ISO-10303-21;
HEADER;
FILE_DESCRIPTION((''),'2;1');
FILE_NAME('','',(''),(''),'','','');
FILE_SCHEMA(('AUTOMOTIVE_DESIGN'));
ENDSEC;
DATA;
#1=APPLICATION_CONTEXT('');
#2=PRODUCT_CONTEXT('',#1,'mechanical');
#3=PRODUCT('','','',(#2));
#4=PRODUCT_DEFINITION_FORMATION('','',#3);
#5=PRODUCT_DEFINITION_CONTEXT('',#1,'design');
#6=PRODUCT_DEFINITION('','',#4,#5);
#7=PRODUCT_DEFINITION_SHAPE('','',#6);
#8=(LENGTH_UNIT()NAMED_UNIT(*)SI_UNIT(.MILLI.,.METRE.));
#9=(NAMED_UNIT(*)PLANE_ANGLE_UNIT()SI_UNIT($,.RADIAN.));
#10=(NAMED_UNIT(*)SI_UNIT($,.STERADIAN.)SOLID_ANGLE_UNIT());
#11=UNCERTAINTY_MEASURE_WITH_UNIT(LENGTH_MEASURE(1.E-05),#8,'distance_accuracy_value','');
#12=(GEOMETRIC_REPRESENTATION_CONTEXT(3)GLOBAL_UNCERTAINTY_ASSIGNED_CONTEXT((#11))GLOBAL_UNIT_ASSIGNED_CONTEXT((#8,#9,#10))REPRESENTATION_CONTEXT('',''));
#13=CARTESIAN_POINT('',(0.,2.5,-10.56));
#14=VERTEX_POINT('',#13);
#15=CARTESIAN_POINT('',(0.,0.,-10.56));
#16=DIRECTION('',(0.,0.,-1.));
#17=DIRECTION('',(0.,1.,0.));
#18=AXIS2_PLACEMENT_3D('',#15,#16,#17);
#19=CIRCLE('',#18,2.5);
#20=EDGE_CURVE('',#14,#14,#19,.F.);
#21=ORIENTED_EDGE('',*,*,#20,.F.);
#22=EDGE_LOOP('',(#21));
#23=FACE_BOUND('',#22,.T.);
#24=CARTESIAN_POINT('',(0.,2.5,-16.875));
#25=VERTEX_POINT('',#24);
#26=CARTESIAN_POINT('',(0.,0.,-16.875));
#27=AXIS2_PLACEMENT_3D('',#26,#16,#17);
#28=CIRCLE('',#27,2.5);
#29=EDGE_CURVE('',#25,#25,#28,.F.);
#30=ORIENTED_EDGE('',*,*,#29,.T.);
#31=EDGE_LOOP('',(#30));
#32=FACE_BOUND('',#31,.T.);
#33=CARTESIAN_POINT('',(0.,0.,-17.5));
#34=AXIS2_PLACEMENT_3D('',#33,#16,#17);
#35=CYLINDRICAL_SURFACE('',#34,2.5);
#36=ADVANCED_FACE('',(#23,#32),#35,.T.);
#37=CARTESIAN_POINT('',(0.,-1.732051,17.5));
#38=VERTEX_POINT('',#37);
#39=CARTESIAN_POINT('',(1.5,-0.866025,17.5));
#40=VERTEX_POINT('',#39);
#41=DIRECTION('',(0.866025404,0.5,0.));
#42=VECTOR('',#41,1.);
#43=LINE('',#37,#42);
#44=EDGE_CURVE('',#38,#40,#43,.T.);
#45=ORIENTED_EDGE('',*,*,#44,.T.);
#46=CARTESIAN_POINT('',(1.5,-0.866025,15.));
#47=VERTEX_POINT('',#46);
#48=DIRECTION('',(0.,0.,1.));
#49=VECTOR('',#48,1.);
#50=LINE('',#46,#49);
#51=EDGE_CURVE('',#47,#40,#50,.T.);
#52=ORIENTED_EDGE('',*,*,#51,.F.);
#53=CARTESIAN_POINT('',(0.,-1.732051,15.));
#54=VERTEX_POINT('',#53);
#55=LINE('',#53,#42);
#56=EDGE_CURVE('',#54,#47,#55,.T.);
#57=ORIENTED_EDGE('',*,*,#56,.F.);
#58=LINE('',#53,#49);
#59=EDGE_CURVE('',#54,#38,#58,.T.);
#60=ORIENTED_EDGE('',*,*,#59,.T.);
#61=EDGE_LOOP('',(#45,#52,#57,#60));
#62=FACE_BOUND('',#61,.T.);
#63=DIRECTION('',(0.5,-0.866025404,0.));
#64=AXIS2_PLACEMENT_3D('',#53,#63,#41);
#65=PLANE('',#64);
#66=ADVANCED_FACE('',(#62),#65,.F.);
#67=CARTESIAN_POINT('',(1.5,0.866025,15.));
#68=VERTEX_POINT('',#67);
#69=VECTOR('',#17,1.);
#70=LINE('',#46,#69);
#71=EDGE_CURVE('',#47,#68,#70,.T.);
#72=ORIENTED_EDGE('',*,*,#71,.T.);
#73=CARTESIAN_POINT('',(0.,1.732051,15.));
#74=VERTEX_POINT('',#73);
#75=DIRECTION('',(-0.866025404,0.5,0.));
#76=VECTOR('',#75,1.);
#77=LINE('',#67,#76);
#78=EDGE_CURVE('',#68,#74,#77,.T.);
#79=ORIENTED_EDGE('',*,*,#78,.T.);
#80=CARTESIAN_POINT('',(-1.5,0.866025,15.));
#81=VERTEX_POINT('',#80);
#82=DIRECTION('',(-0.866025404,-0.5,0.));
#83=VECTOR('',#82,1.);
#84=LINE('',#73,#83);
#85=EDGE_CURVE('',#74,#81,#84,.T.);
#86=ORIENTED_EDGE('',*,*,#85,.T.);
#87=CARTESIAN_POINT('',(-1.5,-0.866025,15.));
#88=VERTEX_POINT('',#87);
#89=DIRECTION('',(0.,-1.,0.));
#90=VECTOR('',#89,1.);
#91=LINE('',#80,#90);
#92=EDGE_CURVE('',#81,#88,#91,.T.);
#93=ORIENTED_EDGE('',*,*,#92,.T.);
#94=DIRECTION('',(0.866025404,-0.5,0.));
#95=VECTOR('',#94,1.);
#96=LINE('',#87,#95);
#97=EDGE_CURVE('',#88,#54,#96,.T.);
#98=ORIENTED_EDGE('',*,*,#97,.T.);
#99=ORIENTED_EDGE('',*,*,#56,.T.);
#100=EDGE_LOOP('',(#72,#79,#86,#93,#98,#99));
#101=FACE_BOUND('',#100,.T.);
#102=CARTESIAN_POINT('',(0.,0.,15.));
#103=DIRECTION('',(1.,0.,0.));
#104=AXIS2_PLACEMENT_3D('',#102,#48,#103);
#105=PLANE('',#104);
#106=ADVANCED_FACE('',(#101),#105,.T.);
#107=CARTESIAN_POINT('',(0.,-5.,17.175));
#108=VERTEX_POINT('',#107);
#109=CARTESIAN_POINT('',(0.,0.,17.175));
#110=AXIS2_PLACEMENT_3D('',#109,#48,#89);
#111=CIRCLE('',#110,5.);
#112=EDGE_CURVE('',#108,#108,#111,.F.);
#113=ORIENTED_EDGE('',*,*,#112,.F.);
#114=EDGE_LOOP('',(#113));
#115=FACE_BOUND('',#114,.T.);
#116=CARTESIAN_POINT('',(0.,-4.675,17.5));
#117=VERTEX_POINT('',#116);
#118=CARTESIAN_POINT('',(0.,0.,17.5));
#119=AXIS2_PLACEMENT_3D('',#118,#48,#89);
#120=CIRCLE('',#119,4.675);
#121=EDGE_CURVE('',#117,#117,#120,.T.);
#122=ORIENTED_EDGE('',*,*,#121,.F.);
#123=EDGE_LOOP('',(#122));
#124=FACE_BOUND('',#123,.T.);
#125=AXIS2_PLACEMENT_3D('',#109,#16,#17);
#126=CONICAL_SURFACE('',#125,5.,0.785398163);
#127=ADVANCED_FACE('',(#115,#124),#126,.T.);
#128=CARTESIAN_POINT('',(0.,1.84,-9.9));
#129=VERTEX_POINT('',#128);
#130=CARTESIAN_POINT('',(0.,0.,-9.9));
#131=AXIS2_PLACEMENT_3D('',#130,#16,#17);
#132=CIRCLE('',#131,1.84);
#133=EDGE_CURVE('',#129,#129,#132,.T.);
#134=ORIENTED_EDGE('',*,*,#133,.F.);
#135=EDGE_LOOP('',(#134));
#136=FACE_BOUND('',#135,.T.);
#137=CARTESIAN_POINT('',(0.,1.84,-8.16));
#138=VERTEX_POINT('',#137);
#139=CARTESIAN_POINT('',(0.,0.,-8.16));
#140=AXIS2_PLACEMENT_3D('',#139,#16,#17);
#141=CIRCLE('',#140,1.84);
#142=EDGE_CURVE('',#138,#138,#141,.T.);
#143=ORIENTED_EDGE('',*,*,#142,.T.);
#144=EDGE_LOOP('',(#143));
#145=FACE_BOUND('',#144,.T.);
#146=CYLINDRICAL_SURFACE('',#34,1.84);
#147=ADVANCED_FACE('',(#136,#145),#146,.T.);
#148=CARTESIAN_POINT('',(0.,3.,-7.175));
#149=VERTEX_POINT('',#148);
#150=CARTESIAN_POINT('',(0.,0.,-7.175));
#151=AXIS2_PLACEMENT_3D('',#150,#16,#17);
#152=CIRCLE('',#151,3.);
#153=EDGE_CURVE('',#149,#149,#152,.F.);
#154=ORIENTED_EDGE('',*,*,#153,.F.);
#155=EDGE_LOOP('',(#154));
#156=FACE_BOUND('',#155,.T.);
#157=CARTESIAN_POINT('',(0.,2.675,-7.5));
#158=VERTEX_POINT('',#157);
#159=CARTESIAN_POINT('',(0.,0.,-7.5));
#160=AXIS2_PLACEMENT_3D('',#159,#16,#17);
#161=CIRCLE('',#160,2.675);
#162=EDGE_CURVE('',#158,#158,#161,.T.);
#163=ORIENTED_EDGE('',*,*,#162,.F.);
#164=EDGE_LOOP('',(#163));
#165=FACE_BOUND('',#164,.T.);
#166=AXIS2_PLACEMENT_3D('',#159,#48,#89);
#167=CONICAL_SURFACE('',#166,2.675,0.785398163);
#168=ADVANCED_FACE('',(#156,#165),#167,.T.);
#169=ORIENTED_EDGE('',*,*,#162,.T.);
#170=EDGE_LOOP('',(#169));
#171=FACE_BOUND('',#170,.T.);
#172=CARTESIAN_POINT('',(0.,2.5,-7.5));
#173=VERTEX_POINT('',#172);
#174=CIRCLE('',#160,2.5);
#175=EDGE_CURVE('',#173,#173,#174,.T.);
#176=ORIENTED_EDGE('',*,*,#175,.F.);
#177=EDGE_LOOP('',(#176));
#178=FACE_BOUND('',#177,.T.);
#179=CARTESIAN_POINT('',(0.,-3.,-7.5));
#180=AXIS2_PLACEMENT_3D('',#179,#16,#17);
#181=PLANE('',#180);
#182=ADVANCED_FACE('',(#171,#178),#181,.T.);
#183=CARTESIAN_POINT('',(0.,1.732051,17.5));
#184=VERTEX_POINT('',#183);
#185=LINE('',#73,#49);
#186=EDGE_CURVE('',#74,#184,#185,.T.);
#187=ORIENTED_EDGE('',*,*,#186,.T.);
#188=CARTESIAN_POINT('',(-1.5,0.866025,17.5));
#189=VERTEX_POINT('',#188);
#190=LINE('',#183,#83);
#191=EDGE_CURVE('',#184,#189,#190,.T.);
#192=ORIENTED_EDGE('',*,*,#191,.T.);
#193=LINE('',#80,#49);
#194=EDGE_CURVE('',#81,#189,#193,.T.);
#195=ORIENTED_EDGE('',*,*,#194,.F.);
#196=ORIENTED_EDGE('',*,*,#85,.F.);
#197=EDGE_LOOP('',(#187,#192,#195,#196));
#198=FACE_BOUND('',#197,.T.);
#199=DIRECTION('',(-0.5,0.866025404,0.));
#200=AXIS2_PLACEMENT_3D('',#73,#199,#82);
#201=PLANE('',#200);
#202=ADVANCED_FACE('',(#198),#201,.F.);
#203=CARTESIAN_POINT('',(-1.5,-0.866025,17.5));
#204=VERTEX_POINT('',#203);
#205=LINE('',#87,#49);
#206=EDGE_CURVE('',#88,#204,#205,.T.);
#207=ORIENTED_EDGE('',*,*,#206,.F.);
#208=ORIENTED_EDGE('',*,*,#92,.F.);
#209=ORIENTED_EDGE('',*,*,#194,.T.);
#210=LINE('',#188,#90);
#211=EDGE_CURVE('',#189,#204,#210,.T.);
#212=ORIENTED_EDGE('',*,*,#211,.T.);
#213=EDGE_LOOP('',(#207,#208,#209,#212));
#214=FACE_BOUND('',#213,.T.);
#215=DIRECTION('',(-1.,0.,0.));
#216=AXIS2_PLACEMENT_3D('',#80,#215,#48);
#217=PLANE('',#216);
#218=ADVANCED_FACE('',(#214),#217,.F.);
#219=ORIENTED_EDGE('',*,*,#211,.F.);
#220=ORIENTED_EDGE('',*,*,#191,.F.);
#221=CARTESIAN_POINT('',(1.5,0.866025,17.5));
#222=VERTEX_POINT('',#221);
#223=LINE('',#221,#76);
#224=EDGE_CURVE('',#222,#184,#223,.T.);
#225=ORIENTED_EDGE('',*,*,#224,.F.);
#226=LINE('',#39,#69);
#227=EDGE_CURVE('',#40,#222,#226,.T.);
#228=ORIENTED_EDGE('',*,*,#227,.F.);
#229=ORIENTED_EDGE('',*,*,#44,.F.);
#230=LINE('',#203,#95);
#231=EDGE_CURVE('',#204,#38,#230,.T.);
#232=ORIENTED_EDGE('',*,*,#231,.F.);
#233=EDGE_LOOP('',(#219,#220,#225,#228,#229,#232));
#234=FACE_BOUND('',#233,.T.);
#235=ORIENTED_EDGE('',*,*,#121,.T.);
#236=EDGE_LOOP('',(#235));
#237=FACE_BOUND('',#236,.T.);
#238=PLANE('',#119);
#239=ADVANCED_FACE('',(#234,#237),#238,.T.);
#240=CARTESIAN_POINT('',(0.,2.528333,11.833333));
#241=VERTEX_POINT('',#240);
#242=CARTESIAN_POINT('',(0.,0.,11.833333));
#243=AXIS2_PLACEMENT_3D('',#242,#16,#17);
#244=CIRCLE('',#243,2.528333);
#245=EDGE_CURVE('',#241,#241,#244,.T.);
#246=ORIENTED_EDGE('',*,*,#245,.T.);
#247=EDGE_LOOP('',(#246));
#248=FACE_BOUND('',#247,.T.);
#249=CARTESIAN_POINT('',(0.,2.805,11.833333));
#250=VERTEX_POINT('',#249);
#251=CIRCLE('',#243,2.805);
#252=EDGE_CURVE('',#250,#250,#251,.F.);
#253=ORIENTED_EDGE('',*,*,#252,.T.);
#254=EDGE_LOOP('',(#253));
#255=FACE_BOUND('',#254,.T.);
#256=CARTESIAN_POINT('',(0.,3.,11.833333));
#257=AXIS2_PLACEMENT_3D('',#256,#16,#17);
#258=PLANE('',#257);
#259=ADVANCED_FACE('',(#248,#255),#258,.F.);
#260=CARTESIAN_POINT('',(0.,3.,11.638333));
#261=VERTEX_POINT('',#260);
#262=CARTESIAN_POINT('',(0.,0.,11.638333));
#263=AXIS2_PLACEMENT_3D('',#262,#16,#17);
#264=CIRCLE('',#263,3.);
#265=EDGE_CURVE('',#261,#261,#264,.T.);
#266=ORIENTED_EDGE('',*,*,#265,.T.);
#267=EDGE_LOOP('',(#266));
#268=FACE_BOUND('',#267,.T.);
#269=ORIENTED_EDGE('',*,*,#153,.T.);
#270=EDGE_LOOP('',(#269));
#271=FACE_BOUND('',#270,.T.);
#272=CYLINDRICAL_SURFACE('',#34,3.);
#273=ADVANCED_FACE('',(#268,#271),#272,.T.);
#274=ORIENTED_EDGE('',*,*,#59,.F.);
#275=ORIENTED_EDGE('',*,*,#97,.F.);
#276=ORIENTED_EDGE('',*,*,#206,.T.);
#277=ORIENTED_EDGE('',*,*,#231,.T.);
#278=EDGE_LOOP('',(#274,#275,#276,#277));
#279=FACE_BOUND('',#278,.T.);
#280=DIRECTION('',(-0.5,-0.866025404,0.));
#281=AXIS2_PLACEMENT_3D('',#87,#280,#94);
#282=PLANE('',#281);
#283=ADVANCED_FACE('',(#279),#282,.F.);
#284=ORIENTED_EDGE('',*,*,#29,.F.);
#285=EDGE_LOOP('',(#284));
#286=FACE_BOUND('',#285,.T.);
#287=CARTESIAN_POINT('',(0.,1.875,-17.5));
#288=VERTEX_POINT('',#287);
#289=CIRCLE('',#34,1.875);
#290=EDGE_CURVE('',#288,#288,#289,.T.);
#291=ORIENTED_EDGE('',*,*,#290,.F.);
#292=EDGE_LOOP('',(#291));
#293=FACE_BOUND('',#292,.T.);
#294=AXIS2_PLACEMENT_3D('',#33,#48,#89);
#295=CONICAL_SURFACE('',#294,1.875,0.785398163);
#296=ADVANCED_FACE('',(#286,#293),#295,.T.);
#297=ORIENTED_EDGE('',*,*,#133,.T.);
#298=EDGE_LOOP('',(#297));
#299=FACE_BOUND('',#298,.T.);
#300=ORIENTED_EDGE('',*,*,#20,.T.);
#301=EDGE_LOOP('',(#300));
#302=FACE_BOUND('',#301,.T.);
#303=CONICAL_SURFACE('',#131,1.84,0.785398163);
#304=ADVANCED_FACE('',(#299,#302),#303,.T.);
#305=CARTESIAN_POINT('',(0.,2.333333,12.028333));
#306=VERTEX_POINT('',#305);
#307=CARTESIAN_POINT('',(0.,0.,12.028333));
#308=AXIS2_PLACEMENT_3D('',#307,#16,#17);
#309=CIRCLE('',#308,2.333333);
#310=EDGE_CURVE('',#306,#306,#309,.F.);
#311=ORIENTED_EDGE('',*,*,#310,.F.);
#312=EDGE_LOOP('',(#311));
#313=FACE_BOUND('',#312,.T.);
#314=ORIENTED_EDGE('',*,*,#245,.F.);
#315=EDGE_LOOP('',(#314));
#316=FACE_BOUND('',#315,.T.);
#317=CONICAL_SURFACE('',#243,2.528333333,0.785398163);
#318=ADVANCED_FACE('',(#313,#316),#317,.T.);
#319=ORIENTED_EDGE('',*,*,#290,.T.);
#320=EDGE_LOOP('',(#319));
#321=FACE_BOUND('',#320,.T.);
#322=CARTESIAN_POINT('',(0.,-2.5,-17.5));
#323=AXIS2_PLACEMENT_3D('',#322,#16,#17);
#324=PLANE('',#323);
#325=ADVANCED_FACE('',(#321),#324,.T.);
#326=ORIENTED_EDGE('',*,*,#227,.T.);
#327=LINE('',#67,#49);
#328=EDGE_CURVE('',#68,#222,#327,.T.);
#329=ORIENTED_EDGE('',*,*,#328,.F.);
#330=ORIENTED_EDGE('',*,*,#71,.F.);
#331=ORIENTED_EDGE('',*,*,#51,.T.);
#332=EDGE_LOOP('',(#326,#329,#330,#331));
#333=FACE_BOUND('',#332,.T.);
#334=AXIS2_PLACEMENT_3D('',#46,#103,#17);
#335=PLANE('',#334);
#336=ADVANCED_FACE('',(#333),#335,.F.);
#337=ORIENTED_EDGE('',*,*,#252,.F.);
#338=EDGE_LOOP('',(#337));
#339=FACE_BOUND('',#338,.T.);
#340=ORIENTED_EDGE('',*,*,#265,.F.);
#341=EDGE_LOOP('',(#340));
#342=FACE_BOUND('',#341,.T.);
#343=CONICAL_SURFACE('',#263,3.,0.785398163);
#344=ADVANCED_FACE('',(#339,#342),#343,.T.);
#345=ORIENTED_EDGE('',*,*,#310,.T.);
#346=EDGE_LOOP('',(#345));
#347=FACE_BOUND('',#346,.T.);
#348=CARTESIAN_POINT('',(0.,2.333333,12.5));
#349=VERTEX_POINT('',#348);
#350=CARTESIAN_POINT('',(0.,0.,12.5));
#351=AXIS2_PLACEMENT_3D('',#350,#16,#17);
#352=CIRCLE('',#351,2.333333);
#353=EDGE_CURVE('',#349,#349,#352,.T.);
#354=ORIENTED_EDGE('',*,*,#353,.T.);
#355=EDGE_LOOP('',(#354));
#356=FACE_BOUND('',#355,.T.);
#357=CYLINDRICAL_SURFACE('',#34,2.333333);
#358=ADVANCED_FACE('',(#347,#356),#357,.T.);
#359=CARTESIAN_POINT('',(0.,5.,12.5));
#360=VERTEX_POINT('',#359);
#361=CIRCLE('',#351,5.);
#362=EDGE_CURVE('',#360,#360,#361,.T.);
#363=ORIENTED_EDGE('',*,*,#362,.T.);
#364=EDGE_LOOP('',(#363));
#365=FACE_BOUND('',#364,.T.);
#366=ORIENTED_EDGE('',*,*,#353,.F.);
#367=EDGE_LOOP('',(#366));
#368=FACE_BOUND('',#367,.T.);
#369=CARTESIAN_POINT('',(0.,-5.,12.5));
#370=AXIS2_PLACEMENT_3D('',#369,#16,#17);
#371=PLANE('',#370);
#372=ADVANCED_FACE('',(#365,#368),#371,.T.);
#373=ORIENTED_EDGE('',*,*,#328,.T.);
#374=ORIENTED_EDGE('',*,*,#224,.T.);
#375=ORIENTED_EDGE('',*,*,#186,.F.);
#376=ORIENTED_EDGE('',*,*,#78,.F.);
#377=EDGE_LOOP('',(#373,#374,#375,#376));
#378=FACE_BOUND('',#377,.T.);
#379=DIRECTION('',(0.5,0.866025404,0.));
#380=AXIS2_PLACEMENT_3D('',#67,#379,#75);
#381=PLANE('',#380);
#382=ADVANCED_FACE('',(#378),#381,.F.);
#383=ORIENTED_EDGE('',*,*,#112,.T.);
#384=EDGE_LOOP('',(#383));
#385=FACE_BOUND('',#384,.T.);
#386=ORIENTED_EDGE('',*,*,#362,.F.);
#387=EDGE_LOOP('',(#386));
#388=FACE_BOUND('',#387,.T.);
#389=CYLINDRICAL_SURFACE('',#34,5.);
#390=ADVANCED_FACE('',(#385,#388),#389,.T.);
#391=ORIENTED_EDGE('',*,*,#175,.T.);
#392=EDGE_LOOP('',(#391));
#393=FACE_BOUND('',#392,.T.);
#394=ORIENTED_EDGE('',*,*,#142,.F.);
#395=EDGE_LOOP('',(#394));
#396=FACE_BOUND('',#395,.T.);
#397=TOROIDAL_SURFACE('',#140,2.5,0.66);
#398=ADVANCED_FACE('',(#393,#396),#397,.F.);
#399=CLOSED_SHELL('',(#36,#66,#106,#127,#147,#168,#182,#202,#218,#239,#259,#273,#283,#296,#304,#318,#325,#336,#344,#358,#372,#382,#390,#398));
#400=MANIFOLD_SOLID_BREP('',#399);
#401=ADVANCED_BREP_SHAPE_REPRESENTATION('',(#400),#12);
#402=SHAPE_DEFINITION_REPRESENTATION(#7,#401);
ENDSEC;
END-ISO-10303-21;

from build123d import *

# Parameters (mm, degrees)
SKETCH4_W          = 0.666666667
SKETCH4_H          = 0.666666667
CHAMFER1_SIZE      = 0.195
CHAMFER2_SIZE      = 0.625
CHAMFER3_SIZE      = 0.325
CUT_EXTRUDE1_DEPTH = 2.5


with BuildPart() as part:
    # Sketch3 → Revolve1 (revolve)
    with BuildSketch(Plane(origin=(0, 0, 0), x_dir=(0, 0, -1), z_dir=(1, 0, 0))):
        Polygon((-17.5, 5), (-12.5, 5), (-12.5, 3), (7.5, 3), (7.5, 2.5), (17.5, 2.5), (17.5, 0), (-17.5, 0), align=None)
    revolve(axis=Axis((0, 0, -17.5), (0, 0, 1)))

    # Sketch4 → Cut-Revolve1 (revolve, cut)
    with BuildSketch(Plane(origin=(0, 0, 0), x_dir=(0, 0, -1), z_dir=(1, 0, 0))):
        with Locations((-12.166666666, 2.666666667)):
            Rectangle(SKETCH4_W, SKETCH4_H)
    revolve(axis=Axis((0, 0, -17.5), (0, 0, 1)), mode=Mode.SUBTRACT)

    # Chamfer1
    chamfer1_edges = [part.edges().sort_by_distance(p)[0] for p in [
        (0, -2.333333333, 11.833333333),
        (0, -3, 11.833333333),
    ]]
    chamfer(chamfer1_edges, length=CHAMFER1_SIZE)

    # Sketch6 → Cut-Revolve2 (revolve, cut)
    with BuildSketch(Plane(origin=(0, 0, 0), x_dir=(0, 0, -1), z_dir=(1, 0, 0))):
        with BuildLine():
            Line((7.5, 3), (11.06, 3))
            Line((11.06, 3), (9.9, 1.84))
            Line((9.9, 1.84), (8.16, 1.84))
            ThreePointArc((8.16, 1.84), (7.693309524, 2.033309524), (7.5, 2.5))
            Line((7.5, 2.5), (7.5, 3))
        make_face()
    revolve(axis=Axis((0, 0, -17.5), (0, 0, 1)), mode=Mode.SUBTRACT)

    # Chamfer2
    chamfer2_edges = [part.edges().sort_by_distance(p)[0] for p in [
        (0, -2.5, -17.5),
    ]]
    chamfer(chamfer2_edges, length=CHAMFER2_SIZE)

    # Chamfer3
    chamfer3_edges = [part.edges().sort_by_distance(p)[0] for p in [
        (0, -3, -7.5),
        (0, -5, 17.5),
    ]]
    chamfer(chamfer3_edges, length=CHAMFER3_SIZE)

    # Sketch8 → Cut-Extrude1 (cut)
    with BuildSketch(Plane.XY.offset(17.5)):
        Polygon((1.5, 0.866025404), (0, 1.732050808), (-1.5, 0.866025404), (-1.5, -0.866025404), (0, -1.732050808), (1.5, -0.866025404), align=None)
    extrude(amount=-CUT_EXTRUDE1_DEPTH, mode=Mode.SUBTRACT)


solid = part.part
